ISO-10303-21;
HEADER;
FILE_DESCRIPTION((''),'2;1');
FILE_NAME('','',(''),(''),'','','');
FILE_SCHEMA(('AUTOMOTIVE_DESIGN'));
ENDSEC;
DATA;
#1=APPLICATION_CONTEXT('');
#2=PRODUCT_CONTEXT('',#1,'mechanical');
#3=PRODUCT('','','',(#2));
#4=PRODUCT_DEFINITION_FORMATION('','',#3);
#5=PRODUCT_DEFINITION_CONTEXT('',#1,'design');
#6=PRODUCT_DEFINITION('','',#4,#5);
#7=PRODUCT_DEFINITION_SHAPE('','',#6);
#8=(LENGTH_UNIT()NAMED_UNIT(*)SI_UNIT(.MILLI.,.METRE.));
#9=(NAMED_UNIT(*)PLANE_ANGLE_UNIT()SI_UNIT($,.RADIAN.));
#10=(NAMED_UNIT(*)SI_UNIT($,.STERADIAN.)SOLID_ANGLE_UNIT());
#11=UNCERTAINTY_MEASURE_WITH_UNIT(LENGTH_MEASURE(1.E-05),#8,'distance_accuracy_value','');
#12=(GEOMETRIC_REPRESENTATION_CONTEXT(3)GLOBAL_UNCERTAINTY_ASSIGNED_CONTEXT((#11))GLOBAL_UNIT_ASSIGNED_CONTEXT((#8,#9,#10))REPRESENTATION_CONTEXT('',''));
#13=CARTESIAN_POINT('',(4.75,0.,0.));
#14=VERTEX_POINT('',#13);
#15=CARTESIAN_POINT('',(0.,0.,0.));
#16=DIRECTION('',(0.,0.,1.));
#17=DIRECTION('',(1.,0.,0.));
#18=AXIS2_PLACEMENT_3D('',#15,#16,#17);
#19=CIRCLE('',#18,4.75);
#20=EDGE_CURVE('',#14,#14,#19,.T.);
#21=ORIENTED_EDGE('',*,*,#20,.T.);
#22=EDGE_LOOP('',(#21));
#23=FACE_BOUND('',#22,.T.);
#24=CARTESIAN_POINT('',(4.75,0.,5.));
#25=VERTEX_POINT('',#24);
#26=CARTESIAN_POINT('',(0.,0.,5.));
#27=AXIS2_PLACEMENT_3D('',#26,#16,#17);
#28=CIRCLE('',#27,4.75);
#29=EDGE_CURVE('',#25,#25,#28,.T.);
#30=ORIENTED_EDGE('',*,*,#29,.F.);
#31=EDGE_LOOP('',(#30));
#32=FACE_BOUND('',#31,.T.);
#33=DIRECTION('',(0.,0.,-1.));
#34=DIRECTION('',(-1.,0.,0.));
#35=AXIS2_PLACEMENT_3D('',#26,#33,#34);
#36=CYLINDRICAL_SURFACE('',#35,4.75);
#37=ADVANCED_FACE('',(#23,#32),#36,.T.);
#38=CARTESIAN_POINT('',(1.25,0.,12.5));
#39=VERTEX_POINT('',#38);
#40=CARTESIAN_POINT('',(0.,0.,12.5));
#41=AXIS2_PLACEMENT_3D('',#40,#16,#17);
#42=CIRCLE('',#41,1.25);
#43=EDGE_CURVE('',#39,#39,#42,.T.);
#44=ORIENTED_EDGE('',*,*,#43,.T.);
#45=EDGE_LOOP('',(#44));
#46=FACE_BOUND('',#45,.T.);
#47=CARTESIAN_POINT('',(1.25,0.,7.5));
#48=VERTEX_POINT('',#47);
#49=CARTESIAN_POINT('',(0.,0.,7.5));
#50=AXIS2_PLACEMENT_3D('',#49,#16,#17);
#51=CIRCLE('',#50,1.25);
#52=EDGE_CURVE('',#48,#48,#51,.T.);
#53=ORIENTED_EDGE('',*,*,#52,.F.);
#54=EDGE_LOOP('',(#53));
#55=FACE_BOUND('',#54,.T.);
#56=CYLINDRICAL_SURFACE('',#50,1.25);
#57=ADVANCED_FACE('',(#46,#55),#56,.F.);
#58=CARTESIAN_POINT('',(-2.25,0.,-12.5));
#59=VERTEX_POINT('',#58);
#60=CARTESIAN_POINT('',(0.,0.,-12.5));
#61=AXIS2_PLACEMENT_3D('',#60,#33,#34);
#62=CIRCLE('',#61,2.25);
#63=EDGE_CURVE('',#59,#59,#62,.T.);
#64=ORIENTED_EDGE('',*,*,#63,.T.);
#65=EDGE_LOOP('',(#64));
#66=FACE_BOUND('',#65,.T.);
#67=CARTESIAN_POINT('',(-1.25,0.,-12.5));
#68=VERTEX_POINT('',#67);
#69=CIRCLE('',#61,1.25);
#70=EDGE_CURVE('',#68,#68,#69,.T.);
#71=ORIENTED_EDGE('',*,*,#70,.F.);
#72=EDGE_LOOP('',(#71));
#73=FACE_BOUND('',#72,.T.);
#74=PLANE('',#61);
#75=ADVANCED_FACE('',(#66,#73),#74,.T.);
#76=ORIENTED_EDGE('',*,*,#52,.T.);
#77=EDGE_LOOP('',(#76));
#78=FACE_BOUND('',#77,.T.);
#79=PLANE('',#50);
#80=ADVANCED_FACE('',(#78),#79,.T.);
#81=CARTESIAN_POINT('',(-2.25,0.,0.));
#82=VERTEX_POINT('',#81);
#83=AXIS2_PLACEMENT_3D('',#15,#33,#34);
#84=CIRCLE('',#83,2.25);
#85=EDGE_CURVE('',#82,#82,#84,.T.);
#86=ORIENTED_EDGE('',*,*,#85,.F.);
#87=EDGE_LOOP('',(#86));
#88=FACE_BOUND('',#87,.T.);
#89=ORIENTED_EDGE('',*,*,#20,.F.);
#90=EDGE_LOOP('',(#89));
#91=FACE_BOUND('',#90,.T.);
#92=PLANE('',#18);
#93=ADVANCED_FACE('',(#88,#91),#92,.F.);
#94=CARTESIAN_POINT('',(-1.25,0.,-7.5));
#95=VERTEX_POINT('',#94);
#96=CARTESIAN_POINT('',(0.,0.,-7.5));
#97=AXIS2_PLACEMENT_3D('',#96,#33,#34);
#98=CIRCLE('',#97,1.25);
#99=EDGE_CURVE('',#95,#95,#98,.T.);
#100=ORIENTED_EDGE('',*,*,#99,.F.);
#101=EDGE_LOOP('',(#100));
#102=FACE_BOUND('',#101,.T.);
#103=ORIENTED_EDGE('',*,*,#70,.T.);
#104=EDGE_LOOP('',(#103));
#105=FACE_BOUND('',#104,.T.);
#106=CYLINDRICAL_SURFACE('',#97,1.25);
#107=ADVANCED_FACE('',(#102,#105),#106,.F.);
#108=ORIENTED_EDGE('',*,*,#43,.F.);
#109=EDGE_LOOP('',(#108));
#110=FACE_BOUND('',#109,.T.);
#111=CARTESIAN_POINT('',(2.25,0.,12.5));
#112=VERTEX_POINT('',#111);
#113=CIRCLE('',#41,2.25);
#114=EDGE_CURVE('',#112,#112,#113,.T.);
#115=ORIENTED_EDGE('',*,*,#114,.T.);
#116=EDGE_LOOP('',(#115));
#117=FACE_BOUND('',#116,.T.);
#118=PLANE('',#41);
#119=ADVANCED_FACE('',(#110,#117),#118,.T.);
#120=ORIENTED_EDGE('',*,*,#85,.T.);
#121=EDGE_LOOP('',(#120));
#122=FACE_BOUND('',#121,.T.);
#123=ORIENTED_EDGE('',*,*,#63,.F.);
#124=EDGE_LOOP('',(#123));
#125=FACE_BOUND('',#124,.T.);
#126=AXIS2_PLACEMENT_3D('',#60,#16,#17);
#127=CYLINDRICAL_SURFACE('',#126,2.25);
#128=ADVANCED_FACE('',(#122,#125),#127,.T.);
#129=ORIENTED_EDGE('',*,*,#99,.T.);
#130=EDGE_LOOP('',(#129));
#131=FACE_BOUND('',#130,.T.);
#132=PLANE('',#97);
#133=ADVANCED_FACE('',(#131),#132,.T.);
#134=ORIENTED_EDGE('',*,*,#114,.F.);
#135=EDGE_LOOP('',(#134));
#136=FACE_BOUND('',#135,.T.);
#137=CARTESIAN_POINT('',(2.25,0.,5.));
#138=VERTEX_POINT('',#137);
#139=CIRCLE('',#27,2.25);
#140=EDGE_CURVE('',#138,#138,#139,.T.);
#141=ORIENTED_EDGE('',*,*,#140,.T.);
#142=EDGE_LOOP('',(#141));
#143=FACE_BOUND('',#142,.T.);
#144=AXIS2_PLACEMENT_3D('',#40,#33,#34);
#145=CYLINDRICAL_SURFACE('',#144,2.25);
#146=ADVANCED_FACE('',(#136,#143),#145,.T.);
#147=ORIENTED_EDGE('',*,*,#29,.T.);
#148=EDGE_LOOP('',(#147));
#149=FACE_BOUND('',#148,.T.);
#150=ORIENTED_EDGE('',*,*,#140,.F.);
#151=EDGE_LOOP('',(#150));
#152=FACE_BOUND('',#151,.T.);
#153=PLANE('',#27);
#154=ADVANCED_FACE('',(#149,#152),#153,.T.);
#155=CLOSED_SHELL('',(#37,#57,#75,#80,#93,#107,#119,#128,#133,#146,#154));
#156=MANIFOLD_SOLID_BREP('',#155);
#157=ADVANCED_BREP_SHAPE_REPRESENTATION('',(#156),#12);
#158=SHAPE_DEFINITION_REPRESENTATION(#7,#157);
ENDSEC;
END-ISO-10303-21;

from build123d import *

# Parameters (mm, degrees)
SKETCH1_R           = 4.75
BOSS_EXTRUDE1_DEPTH = 5
SKETCH2_R           = 2.25
BOSS_EXTRUDE2_DEPTH = 7.5
BOSS_EXTRUDE3_START = 12.5
SKETCH3_R           = 2.25
BOSS_EXTRUDE3_DEPTH = 12.5
SKETCH4_R           = 1.25
CUT_EXTRUDE1_DEPTH  = 5
CUT_EXTRUDE2_START  = -5
SKETCH5_R           = 1.25
CUT_EXTRUDE2_DEPTH  = 5


with BuildPart() as part:
    # Sketch1 → Boss-Extrude1 (new body)
    with BuildSketch(Plane.XY):
        Circle(SKETCH1_R)
    extrude(amount=BOSS_EXTRUDE1_DEPTH)

    # Sketch2 → Boss-Extrude2 (add)
    with BuildSketch(Plane.XY.offset(5)):
        Circle(SKETCH2_R)
    extrude(amount=BOSS_EXTRUDE2_DEPTH)

    # Sketch3 → Boss-Extrude3 (add)
    with BuildSketch(Plane(origin=(0, 0, 0), x_dir=(-1, 0, 0), z_dir=(0, 0, -1)).offset(BOSS_EXTRUDE3_START)):
        with Locations(Location((0, 0, 0), (0, 0, 180))):
            Circle(SKETCH3_R)
    extrude(amount=-BOSS_EXTRUDE3_DEPTH)

    # Sketch4 → Cut-Extrude1 (cut)
    with BuildSketch(Plane.XY.offset(12.5)):
        Circle(SKETCH4_R)
    extrude(amount=-CUT_EXTRUDE1_DEPTH, mode=Mode.SUBTRACT)

    # Sketch5 → Cut-Extrude2 (cut)
    with BuildSketch(Plane(origin=(0, 0, -12.5), x_dir=(-1, 0, 0), z_dir=(0, 0, -1)).offset(CUT_EXTRUDE2_START)):
        with Locations(Location((0, 0, 0), (0, 0, 180))):
            Circle(SKETCH5_R)
    extrude(amount=CUT_EXTRUDE2_DEPTH, mode=Mode.SUBTRACT)


solid = part.part
